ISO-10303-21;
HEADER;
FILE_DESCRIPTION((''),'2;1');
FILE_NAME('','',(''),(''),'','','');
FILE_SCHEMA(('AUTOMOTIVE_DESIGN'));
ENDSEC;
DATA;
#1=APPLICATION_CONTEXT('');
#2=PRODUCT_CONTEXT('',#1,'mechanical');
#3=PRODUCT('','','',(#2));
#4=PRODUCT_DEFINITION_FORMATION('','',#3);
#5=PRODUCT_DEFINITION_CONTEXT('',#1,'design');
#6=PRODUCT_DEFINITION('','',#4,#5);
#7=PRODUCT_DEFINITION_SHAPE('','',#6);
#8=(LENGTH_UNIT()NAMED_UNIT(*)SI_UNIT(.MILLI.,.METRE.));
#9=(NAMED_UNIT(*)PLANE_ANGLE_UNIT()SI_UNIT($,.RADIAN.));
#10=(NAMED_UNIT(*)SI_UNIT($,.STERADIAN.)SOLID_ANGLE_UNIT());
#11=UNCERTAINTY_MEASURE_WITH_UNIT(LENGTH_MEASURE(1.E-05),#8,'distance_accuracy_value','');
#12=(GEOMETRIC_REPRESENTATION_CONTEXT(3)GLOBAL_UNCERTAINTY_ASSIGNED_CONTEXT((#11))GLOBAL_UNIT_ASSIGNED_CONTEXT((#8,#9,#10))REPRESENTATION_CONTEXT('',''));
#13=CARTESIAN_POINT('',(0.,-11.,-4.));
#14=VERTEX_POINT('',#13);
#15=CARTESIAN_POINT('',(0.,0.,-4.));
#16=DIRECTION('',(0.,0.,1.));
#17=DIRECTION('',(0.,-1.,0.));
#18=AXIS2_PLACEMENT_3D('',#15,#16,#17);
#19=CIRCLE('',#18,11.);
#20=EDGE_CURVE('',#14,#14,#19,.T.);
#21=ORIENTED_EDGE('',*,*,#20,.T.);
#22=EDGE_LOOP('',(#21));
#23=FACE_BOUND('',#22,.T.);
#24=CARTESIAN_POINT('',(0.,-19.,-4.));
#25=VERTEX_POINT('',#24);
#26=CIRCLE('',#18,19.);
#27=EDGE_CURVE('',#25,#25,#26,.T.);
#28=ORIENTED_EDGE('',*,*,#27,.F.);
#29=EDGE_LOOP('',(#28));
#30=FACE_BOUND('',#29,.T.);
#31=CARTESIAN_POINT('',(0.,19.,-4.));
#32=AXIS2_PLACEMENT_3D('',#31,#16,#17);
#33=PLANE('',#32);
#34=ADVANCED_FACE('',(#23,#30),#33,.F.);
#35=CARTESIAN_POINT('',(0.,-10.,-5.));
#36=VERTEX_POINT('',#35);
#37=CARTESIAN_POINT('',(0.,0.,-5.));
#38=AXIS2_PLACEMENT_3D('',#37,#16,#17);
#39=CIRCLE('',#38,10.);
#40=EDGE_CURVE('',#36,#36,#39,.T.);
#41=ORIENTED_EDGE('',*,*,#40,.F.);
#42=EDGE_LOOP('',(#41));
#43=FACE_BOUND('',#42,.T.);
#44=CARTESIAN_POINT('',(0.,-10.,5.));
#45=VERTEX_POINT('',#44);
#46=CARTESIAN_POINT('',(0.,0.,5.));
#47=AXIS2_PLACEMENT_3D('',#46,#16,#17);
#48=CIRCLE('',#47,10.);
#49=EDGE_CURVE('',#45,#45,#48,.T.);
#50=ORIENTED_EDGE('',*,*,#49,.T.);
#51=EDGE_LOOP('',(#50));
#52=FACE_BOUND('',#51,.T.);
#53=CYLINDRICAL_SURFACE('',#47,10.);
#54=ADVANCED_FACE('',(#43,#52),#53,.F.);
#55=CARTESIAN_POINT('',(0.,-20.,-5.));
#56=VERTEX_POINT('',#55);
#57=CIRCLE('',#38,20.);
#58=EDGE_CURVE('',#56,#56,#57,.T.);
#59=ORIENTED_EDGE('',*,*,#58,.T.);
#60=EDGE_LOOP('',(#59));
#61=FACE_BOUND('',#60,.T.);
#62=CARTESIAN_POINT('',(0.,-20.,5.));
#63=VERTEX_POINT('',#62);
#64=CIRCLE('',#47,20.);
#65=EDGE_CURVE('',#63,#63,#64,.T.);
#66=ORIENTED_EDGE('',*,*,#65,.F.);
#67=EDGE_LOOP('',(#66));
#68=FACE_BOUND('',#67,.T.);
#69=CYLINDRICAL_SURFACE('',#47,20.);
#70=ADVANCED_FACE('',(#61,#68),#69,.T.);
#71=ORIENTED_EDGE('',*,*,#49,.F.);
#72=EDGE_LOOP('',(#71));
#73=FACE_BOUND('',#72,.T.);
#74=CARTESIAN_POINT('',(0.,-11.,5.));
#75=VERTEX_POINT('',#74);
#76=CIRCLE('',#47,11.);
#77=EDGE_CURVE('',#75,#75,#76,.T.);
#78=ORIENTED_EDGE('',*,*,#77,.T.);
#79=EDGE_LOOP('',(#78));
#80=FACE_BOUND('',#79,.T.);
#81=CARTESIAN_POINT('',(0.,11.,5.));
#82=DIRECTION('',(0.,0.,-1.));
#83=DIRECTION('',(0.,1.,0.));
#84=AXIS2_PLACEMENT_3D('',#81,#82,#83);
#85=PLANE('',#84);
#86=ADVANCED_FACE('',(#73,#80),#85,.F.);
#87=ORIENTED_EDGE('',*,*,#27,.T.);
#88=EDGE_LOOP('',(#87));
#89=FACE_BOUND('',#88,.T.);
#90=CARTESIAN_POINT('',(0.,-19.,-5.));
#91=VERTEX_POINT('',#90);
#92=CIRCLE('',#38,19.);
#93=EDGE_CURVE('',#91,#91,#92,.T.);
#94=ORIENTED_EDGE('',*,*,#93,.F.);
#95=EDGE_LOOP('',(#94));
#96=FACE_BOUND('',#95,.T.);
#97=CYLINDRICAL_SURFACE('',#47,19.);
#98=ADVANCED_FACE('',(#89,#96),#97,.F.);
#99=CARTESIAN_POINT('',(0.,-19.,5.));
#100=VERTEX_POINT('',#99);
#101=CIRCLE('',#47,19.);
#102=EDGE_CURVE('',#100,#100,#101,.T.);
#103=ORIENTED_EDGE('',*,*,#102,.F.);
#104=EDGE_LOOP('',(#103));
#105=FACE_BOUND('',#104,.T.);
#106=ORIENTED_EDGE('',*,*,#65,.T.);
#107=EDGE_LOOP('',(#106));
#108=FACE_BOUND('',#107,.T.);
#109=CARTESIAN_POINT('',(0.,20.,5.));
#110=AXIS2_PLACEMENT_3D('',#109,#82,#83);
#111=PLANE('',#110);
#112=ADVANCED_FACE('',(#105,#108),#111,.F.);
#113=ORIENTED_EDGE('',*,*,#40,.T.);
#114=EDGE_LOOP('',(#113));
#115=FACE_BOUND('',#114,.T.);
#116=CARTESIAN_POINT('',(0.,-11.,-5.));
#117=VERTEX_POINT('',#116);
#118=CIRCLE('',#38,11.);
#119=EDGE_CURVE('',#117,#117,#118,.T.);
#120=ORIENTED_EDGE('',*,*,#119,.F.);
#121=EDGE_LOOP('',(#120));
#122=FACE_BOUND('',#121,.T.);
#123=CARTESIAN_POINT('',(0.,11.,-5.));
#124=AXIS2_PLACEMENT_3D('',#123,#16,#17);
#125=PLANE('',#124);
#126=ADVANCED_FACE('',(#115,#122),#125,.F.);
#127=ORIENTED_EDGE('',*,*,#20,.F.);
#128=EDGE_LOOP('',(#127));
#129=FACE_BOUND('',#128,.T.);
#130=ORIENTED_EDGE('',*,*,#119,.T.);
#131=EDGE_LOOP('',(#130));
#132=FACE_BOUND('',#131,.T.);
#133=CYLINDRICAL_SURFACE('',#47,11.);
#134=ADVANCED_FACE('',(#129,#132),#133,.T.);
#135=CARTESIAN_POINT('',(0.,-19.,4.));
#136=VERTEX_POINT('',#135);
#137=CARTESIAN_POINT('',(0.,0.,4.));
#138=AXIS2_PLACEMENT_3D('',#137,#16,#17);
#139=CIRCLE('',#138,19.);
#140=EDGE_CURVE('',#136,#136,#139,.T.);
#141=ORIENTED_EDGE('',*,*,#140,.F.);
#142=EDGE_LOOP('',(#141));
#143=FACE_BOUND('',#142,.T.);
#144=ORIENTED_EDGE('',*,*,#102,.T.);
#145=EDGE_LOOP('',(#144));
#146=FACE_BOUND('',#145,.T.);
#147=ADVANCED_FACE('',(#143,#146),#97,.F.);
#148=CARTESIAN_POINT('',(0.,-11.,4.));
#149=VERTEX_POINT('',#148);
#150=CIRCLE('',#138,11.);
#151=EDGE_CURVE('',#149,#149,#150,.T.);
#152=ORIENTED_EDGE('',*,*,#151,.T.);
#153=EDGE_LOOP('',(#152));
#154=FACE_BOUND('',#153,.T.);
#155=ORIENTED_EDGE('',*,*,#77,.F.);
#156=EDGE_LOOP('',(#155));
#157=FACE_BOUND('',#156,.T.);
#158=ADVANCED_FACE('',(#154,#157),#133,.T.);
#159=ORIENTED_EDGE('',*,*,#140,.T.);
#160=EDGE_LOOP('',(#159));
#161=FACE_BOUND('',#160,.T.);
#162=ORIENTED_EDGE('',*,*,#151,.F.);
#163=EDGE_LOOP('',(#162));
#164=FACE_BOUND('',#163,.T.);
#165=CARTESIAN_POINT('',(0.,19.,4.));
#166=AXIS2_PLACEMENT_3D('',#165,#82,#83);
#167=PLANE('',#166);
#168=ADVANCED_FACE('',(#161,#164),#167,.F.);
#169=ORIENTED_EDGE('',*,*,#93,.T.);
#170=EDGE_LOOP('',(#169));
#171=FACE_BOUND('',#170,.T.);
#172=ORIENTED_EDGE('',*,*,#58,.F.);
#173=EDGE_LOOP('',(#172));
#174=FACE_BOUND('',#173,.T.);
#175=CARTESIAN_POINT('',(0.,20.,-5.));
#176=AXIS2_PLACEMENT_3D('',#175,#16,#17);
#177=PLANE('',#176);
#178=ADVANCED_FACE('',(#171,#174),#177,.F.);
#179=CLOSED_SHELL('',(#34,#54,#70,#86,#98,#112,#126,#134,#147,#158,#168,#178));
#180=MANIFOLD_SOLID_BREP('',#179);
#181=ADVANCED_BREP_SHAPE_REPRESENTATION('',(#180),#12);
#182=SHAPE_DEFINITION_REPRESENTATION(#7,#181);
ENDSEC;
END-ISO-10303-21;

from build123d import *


with BuildPart() as part:
    # Sketch1 → Revolve2 (revolve)
    with BuildSketch(Plane(origin=(0, 0, 0), x_dir=(0, 0, -1), z_dir=(1, 0, 0)), mode=Mode.PRIVATE) as revolve2_sk:
        Polygon((-5, 20), (5, 20), (5, 19), (4, 19), (4, 11), (5, 11), (5, 10), (-5, 10), (-5, 11), (-4, 11), (-4, 19), (-5, 19), align=None)
    revolve(revolve2_sk.sketch.rotate(Axis((0, 0, 5), (0, 0, -1)), 180), axis=Axis((0, 0, 5), (0, 0, -1)))


solid = part.part
